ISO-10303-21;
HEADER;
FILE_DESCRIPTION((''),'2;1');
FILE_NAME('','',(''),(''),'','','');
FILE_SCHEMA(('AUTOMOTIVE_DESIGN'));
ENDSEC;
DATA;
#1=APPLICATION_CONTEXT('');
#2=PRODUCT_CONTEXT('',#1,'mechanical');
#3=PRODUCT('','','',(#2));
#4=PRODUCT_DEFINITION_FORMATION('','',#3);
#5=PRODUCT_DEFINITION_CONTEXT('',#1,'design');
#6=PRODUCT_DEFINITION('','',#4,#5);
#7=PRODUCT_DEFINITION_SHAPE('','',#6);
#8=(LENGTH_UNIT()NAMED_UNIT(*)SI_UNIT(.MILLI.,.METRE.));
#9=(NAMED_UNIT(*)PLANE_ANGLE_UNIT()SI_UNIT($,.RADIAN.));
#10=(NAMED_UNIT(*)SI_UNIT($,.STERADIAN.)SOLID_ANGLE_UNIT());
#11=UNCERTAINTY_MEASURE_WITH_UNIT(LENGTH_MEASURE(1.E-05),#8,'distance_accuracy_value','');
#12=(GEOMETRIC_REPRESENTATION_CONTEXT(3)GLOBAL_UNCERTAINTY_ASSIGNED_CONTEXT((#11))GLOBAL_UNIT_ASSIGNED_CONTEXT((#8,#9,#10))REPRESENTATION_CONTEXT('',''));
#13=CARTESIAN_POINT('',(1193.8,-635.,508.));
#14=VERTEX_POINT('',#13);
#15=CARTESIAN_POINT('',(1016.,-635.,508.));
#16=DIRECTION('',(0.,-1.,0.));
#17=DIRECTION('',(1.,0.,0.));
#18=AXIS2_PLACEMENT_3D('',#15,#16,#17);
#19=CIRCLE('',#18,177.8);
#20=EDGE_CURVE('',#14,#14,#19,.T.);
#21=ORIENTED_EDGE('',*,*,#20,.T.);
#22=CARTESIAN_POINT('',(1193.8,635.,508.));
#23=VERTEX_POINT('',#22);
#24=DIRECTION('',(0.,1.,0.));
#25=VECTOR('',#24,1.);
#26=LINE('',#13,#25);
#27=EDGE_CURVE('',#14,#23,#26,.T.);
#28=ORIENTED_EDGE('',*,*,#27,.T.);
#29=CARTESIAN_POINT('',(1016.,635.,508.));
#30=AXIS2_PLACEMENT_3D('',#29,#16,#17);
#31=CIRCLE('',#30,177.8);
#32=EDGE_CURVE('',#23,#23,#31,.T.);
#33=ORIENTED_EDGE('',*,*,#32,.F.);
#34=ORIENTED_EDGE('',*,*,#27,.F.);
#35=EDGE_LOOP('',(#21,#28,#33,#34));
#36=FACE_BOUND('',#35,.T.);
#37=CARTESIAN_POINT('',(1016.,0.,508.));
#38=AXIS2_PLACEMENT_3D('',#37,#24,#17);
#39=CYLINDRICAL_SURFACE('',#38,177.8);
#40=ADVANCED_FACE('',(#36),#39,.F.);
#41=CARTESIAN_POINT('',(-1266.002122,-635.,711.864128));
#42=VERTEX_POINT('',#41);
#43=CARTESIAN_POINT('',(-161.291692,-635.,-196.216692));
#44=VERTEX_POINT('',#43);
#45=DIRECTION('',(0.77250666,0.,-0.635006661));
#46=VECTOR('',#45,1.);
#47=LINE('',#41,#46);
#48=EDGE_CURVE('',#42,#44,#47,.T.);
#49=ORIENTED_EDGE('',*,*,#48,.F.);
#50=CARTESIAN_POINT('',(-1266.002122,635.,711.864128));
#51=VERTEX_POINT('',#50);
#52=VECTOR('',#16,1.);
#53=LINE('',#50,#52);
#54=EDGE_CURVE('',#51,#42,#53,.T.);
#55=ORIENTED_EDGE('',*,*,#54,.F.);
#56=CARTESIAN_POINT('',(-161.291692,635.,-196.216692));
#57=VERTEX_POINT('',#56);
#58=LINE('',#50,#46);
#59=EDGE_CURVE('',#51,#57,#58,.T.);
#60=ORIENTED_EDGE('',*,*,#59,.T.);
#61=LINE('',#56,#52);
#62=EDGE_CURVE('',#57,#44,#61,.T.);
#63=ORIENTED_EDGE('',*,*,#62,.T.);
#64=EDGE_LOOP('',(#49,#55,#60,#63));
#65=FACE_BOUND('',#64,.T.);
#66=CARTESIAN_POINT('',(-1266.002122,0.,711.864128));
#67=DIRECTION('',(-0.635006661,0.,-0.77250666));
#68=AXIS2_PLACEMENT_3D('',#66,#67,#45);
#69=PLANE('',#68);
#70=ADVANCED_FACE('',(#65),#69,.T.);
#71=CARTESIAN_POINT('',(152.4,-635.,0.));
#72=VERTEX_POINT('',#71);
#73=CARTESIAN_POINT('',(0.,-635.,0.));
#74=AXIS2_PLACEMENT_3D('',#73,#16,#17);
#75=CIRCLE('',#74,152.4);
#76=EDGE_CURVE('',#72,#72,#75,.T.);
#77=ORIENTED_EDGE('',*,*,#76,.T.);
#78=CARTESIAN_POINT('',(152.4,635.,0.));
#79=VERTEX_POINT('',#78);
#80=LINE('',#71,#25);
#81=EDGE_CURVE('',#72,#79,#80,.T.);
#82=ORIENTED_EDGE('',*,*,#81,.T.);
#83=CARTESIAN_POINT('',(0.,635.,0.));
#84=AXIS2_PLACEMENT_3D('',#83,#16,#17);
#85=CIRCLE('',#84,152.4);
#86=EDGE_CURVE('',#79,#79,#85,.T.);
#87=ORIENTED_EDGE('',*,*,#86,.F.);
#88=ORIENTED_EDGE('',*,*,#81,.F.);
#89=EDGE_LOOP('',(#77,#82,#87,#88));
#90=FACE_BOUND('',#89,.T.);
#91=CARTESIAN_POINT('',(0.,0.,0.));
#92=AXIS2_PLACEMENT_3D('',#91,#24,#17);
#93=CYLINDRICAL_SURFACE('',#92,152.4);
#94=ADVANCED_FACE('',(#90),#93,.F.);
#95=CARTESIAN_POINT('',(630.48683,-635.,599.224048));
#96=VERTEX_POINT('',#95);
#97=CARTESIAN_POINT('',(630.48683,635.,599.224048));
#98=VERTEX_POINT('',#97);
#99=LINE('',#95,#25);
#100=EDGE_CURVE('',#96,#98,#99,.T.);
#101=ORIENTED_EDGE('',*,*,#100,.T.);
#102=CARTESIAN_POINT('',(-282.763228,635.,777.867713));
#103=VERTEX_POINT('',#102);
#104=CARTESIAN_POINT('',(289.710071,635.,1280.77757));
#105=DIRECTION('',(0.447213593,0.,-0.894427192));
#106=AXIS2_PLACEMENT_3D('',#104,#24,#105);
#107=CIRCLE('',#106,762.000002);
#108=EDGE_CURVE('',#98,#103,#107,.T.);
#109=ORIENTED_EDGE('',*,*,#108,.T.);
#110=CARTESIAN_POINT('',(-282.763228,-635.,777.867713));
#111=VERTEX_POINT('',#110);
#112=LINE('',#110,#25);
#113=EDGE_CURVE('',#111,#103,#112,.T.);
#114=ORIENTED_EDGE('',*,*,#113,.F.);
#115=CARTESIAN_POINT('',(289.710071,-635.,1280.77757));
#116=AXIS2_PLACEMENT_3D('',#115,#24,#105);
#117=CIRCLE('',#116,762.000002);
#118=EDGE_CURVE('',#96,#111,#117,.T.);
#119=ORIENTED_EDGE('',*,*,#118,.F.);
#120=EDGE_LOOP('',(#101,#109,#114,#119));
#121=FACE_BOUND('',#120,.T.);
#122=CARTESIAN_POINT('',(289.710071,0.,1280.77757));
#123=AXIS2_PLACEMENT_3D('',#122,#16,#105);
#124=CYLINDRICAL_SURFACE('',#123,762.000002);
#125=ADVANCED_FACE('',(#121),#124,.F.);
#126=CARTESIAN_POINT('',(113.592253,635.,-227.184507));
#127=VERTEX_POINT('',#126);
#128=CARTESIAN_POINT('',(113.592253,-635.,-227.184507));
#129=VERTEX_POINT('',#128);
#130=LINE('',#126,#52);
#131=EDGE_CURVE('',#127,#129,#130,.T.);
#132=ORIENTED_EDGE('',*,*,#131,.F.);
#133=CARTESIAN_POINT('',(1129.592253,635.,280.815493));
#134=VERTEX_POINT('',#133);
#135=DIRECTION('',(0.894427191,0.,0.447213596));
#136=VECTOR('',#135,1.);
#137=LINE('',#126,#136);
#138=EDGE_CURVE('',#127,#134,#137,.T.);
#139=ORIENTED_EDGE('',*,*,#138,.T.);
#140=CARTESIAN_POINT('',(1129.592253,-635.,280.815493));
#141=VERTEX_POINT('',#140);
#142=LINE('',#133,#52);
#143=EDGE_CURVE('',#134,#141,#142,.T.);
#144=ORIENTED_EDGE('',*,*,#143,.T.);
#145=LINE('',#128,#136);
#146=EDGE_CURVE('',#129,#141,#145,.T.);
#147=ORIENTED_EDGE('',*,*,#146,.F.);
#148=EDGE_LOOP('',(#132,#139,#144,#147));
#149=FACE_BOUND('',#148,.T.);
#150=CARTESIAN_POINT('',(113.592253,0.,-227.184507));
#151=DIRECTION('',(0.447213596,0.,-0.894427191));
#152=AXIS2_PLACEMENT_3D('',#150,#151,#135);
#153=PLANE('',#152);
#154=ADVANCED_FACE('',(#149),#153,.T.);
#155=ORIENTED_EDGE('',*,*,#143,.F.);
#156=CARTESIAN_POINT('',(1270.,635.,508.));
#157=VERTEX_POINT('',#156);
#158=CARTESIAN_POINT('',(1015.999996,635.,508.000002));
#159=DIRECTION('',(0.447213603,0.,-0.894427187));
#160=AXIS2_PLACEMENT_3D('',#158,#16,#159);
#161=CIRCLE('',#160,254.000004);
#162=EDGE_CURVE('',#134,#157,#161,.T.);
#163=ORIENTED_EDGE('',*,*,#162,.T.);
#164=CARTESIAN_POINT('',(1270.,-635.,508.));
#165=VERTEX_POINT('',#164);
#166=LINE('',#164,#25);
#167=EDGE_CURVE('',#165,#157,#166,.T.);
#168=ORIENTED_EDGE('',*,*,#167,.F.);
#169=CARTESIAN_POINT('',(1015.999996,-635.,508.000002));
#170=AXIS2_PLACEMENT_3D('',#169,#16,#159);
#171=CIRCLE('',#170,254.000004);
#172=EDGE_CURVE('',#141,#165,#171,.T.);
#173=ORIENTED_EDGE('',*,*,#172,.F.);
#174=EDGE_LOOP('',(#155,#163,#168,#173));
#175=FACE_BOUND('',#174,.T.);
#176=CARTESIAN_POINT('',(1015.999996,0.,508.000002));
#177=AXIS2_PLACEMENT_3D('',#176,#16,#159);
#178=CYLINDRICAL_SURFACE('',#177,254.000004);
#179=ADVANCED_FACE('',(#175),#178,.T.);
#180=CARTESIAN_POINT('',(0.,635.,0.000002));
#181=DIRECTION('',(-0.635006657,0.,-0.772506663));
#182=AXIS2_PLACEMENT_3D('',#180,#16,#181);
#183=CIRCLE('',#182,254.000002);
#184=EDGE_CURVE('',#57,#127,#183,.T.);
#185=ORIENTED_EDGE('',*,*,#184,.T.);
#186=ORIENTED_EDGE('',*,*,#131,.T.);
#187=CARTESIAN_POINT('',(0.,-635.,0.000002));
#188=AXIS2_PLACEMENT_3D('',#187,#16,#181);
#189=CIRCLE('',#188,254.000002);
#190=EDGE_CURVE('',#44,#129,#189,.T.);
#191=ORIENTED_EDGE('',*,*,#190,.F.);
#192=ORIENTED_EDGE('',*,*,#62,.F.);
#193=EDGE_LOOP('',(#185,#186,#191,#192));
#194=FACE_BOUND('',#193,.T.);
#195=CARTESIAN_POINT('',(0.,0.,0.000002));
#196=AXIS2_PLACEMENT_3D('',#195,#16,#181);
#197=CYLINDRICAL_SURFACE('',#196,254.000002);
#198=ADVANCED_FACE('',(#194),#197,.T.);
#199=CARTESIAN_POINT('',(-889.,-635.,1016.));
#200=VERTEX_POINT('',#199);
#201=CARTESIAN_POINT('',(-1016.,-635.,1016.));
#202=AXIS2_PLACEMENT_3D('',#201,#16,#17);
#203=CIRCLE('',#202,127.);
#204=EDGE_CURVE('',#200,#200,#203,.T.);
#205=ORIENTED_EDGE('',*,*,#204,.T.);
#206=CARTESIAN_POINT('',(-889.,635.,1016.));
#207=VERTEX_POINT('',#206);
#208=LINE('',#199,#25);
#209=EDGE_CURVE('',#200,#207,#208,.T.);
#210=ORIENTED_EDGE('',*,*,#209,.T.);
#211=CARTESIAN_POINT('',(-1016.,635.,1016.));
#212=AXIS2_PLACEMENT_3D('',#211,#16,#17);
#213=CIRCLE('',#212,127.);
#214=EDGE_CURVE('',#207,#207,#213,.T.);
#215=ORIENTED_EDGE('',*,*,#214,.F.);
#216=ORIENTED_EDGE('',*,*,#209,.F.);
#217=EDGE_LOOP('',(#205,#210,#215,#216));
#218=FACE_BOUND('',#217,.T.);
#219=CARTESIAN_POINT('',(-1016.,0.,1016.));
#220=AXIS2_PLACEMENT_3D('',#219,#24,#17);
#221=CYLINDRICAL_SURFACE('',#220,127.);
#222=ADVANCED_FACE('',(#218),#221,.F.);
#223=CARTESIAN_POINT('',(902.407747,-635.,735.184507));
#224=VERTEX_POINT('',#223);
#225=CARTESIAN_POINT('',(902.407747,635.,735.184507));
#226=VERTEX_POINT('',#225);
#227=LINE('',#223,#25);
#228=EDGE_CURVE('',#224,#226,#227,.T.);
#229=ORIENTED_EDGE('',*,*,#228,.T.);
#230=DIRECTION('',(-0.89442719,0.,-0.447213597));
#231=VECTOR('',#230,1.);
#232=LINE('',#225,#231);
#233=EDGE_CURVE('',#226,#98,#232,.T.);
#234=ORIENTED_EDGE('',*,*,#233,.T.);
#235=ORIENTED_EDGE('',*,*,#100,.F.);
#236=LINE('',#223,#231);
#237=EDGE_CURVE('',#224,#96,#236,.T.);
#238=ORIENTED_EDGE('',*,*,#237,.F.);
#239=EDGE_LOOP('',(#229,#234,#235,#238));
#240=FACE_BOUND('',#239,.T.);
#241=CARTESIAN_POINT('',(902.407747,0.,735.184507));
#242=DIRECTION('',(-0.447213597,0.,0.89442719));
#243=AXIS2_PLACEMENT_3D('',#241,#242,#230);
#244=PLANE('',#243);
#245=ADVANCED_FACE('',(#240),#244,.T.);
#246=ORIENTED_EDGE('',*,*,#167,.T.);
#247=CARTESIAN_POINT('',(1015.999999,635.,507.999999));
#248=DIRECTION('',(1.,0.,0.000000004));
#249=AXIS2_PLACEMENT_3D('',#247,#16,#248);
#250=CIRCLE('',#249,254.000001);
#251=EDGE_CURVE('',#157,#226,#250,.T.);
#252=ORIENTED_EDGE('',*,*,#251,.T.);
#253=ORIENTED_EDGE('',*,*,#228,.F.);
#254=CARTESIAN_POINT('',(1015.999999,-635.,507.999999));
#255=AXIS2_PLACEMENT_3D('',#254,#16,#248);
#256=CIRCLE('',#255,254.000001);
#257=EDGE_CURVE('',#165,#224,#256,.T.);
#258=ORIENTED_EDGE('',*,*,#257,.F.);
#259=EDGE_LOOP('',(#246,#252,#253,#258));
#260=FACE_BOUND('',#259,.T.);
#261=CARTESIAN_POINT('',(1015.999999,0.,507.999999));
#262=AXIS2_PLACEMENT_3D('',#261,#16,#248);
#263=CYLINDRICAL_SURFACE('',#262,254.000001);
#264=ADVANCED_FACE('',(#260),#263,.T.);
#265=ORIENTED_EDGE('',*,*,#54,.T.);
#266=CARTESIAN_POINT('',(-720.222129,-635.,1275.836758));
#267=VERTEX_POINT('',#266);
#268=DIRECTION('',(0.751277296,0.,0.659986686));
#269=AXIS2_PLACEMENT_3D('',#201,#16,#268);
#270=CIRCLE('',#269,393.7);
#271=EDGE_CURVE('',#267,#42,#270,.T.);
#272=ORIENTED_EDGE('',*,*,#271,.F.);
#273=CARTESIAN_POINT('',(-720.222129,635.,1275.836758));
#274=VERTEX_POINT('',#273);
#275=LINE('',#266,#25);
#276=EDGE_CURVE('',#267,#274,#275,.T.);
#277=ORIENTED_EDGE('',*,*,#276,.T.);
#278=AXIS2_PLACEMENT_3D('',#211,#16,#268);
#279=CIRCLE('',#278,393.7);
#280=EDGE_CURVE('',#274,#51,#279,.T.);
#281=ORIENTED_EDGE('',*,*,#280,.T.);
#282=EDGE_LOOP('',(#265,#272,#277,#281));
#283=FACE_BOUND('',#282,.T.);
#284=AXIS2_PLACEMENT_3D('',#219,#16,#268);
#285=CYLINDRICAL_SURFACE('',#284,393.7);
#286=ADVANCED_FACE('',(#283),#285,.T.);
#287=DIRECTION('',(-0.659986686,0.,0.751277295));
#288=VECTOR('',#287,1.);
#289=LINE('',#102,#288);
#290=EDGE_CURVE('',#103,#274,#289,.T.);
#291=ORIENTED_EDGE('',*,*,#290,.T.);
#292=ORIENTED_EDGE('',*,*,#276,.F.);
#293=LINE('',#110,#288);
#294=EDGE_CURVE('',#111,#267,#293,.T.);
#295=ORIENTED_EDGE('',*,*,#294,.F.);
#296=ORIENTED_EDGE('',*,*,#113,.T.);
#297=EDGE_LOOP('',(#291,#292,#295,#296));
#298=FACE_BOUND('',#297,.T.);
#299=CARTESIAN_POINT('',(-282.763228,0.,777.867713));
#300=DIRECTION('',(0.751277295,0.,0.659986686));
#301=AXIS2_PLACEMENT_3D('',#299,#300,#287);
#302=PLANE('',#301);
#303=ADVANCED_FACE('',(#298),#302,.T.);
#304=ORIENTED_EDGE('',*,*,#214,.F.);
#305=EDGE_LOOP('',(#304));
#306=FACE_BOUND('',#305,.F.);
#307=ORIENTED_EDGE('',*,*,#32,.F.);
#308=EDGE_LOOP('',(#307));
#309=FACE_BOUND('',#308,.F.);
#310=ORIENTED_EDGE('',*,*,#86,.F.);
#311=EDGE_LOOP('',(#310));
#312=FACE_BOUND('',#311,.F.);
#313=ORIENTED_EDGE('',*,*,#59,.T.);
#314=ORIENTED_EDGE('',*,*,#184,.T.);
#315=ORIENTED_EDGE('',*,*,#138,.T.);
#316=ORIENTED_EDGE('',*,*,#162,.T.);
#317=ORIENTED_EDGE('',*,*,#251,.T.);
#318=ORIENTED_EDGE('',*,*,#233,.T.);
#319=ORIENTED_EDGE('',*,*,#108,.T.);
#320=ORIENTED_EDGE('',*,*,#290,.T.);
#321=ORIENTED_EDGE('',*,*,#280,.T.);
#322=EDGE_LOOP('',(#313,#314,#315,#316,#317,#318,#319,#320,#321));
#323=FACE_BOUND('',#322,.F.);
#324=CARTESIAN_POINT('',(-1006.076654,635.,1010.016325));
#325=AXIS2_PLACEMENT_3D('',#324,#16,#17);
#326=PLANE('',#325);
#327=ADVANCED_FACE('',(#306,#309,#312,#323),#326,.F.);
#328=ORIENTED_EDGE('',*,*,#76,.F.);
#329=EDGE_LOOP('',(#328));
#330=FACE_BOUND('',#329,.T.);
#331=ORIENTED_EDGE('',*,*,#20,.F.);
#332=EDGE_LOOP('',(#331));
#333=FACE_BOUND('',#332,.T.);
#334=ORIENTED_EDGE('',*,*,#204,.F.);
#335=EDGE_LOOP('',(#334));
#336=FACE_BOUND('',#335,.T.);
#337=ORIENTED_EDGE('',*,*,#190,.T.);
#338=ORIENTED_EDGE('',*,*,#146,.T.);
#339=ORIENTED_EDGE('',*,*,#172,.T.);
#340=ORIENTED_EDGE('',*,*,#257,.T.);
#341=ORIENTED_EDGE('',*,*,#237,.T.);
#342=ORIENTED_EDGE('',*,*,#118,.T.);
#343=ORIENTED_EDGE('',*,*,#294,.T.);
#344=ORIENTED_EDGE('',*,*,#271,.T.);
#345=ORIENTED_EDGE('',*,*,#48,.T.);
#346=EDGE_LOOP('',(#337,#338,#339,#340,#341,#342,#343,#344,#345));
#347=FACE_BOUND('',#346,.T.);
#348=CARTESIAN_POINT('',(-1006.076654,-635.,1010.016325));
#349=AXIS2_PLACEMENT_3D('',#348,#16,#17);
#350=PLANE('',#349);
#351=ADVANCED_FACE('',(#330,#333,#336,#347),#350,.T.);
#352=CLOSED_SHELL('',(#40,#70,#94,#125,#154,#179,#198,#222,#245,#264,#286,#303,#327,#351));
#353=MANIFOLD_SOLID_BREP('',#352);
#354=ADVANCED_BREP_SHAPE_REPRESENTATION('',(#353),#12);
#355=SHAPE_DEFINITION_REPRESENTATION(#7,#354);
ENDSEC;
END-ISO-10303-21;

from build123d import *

# Parameters (mm, degrees)
F0_R     = 127
F0_R_2   = 152.4
F0_R_3   = 177.8
F1_DEPTH = 635


with BuildPart() as f1:
    # F0 (on Front) → F1 (new body, symmetric)
    with BuildSketch(Plane.XZ):
        with BuildLine():
            ThreePointArc((-720.222129, 1275.836758), (-1298.913656, 1289.787423), (-1266.002122, 711.864128))
            ThreePointArc((-1266.002122, 711.864128), (-847.812821, 660.032638), (-622.3, 1016))
            ThreePointArc((-622.3, 1016), (-647.592998, 1154.837931), (-720.222129, 1275.836758))
        make_face()
        with Locations((-1016, 1016)):
            Circle(F0_R, mode=Mode.SUBTRACT)
        with BuildLine():
            ThreePointArc((-161.291692, -196.216692), (-108.507857, 229.656363), (254, 0))
            ThreePointArc((254, 0), (216.065305, -133.535702), (113.592253, -227.184507))
            Line((113.592253, -227.184507), (1129.592253, 280.815493))
            ThreePointArc((1129.592253, 280.815493), (788.815493, 394.407747), (902.407747, 735.184507))
            Line((902.407747, 735.184507), (630.48683, 599.224048))
            ThreePointArc((630.48683, 599.224048), (143.425378, 532.950858), (-282.763228, 777.867713))
            Line((-282.763228, 777.867713), (-720.222129, 1275.836758))
            ThreePointArc((-720.222129, 1275.836758), (-647.592998, 1154.837931), (-622.3, 1016))
            ThreePointArc((-622.3, 1016), (-847.812821, 660.032638), (-1266.002122, 711.864128))
            Line((-1266.002122, 711.864128), (-161.291692, -196.216692))
        make_face()
        with BuildLine():
            ThreePointArc((113.592253, -227.184507), (216.065305, -133.535702), (254, 0))
            ThreePointArc((254, 0), (-108.507857, 229.656363), (-161.291692, -196.216692))
            ThreePointArc((-161.291692, -196.216692), (-28.435198, -252.403327), (113.592253, -227.184507))
        make_face()
        Circle(F0_R_2, mode=Mode.SUBTRACT)
        with BuildLine():
            ThreePointArc((902.407747, 735.184507), (788.815493, 394.407747), (1129.592253, 280.815493))
            ThreePointArc((1129.592253, 280.815493), (1232.065305, 374.464298), (1270, 508))
            ThreePointArc((1270, 508), (1149.535702, 724.065305), (902.407747, 735.184507))
        make_face()
        with Locations((1016, 508)):
            Circle(F0_R_3, mode=Mode.SUBTRACT)
    extrude(amount=F1_DEPTH, both=True)


solid = f1.part
